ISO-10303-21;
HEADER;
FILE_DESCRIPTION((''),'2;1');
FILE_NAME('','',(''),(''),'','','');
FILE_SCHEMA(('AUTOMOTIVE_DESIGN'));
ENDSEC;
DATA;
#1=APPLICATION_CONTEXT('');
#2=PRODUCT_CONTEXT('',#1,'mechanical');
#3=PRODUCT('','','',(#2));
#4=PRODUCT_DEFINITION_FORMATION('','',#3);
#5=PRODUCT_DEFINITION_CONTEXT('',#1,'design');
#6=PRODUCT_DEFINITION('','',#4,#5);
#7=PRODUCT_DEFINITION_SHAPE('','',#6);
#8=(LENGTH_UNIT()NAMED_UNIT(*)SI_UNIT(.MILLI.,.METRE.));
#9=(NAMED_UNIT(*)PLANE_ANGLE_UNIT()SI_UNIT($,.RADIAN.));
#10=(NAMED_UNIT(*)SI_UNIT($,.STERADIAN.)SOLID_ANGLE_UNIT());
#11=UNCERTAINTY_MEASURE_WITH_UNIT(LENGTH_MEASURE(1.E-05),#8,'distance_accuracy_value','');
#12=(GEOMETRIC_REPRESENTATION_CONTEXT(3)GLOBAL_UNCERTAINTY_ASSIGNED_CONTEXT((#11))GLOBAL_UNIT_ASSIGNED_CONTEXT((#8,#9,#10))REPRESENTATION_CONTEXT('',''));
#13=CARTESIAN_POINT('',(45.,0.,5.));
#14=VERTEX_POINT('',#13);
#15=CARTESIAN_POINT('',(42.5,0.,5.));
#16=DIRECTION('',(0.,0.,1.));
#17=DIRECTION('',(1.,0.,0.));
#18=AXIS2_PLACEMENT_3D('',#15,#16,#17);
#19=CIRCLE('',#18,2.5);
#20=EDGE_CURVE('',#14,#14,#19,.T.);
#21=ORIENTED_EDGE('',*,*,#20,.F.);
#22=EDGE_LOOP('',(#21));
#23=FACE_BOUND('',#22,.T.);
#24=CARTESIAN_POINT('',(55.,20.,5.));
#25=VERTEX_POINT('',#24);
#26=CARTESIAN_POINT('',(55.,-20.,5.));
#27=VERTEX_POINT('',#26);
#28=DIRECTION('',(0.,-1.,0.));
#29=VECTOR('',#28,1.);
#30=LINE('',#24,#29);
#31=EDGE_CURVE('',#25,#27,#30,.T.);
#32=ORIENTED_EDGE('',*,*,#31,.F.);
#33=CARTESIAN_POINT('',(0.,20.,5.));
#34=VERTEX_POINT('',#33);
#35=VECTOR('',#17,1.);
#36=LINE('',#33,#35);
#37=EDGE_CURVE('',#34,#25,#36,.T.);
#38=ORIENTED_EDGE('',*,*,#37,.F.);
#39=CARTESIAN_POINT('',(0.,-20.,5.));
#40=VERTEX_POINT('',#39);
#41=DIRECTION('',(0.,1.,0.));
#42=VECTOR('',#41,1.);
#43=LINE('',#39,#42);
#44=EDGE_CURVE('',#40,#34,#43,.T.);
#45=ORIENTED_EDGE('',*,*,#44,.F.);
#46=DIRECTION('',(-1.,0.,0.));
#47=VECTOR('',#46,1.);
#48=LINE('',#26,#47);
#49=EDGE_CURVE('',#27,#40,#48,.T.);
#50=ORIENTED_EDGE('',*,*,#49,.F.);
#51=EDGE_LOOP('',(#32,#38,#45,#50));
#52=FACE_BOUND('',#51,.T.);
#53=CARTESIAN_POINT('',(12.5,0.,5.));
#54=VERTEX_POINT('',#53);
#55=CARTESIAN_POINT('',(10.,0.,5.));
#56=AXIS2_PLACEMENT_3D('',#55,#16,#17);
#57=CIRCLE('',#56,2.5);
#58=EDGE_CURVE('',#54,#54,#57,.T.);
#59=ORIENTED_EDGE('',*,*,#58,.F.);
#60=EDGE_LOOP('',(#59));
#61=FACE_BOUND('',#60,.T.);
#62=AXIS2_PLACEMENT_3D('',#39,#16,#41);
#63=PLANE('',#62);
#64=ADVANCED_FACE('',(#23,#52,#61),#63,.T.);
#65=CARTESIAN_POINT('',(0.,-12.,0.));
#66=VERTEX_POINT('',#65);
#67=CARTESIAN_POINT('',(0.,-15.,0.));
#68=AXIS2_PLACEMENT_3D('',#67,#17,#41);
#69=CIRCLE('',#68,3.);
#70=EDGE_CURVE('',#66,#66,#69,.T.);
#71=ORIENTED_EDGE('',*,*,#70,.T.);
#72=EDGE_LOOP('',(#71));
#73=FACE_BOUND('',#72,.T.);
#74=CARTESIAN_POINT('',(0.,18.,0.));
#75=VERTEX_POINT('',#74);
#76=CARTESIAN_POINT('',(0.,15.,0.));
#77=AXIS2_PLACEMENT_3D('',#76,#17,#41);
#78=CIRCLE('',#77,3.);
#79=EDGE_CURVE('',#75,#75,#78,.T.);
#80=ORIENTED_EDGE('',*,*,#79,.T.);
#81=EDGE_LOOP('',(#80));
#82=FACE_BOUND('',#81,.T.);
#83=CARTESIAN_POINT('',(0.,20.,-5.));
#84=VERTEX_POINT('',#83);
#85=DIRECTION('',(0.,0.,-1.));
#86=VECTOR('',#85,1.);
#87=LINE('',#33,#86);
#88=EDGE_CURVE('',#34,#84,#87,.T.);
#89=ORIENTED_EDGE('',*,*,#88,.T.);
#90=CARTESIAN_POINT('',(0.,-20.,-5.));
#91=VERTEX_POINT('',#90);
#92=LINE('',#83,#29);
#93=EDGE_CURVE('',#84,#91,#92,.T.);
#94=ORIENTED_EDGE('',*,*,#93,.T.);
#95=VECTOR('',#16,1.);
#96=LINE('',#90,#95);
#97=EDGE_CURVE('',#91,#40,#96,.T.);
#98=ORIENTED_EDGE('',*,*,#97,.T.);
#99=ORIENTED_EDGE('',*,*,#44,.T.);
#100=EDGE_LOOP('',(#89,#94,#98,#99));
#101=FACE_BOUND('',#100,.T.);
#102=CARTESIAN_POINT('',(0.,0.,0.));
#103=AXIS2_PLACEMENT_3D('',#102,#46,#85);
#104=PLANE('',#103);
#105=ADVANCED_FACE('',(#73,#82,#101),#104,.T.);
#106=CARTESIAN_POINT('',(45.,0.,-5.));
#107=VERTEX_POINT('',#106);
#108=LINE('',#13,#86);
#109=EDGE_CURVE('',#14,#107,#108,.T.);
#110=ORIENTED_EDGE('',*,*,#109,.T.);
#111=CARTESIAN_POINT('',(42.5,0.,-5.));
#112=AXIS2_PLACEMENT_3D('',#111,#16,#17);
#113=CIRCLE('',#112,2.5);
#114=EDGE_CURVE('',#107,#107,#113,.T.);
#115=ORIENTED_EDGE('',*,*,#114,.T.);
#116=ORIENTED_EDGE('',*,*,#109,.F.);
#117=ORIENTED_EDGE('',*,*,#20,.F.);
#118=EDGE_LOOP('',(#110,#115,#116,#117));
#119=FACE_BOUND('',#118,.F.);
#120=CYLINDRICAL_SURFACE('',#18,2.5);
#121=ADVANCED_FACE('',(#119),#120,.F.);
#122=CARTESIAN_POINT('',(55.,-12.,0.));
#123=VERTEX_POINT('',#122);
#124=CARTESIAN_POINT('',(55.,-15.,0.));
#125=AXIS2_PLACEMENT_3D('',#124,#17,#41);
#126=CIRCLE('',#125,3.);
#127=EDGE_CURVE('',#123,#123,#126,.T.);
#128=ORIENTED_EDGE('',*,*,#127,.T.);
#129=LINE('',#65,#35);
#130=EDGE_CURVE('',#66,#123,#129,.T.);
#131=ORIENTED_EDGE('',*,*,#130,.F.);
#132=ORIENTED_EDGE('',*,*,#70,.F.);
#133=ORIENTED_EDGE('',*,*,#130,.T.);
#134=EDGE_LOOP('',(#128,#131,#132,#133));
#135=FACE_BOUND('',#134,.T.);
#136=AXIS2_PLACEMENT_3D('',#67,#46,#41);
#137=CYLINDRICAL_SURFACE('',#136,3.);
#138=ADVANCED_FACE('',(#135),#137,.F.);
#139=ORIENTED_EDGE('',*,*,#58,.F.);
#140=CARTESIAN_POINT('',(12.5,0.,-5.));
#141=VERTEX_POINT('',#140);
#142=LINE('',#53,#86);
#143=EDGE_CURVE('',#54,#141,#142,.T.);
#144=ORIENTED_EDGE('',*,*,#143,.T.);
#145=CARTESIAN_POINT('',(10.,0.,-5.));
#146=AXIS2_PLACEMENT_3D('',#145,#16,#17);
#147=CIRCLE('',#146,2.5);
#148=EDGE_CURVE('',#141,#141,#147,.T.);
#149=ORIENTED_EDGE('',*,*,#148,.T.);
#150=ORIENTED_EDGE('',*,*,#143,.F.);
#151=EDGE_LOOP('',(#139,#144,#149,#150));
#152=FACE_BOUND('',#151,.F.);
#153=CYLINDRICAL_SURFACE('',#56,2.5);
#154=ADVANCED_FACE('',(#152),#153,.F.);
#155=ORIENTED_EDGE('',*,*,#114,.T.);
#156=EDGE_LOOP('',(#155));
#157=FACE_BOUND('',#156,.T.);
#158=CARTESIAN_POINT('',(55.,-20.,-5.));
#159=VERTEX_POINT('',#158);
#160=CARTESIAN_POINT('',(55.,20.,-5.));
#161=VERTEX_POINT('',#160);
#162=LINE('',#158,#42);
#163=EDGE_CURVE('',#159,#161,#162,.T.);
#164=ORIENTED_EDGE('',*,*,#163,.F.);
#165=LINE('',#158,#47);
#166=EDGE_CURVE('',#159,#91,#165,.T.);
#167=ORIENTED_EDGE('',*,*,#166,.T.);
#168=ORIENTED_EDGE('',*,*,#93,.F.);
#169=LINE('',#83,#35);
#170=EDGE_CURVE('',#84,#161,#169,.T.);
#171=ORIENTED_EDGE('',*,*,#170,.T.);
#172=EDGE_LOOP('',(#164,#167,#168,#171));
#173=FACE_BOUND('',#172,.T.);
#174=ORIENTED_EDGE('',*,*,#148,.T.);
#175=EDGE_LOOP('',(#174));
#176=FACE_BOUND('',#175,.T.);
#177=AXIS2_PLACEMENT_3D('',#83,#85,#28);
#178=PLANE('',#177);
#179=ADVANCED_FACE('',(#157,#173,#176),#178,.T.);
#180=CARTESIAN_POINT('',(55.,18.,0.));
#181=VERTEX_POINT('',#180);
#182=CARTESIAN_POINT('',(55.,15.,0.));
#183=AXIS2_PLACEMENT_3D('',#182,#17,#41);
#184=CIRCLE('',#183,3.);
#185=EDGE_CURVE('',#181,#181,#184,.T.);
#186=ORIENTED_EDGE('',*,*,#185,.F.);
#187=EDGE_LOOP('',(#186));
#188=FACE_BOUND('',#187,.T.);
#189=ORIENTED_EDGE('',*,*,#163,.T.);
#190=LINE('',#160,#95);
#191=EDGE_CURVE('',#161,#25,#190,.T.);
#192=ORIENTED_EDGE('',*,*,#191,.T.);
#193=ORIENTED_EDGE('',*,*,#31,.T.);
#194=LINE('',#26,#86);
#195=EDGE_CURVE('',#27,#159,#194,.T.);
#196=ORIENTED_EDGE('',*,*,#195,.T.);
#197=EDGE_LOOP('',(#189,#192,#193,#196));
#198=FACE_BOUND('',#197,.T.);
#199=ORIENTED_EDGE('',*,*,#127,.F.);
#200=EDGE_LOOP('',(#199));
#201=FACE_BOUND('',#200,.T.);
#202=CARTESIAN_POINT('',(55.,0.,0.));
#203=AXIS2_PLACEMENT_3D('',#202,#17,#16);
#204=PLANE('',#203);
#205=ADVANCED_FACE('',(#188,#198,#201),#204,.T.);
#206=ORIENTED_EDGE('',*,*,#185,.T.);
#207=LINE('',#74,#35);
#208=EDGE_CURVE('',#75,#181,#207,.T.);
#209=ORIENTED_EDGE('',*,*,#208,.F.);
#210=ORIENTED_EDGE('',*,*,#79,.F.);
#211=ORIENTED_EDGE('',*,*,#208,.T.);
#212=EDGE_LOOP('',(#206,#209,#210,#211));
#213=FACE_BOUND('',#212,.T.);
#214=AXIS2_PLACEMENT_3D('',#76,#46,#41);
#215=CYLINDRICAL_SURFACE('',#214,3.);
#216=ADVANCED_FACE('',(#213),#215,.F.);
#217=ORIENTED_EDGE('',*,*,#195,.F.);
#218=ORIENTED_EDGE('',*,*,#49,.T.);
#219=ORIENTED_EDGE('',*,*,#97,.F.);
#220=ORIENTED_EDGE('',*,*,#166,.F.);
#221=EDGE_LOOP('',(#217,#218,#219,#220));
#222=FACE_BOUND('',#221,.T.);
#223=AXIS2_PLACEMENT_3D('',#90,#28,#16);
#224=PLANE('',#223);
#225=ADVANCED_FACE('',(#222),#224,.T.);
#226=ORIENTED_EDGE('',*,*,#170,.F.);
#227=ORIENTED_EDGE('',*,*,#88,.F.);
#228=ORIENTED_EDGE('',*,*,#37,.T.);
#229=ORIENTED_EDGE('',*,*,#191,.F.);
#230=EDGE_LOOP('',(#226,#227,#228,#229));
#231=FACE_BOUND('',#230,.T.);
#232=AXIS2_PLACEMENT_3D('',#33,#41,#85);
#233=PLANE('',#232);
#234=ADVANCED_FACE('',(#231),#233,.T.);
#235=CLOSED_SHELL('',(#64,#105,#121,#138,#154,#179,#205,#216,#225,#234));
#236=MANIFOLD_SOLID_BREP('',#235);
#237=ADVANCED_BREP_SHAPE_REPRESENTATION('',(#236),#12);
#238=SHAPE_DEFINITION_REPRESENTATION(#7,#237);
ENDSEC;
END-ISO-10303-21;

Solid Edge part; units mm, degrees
sketch "Sketch1" plane through (0, 0, 0) normal (1, 0, 0) x (0, 1, 0)
  circle A0 centre (-15, 0) radius 3
  circle A1 centre (15, 0) radius 3
  line L0 (20, -5) -> (-20, -5)
  line L1 (-20, -5) -> (-20, 5)
  line L2 (-20, 5) -> (20, 5)
  line L3 (20, 5) -> (20, -5)
  dimension "D1" = 40
  dimension "D2" = 10
  dimension "D3" = 15
  dimension "D4" = 6
extrude "Protrusion1" add sketch "Sketch1" along normal blind 50
sketch "Sketch2" plane through (25, 0, 5) normal (0, 0, 1) x (1, 0, 0)
  circle A0 centre (-15, 0) radius 2.5
  circle A1 centre (17.5, 0) radius 2.5
  dimension "D1" = 5
  dimension "D2" = 5
  dimension "D3" = 10
  dimension "D4" = 32.5
extrude "Cutout1" cut sketch "Sketch2" against normal up to next
sketch "Sketch3" plane through (50, 0, 0) normal (1, 0, 0) x (0, 1, 0)
  line L0 (-20, -5) -> (20, -5)
  line L1 (20, -5) -> (20, 5)
  line L2 (20, 5) -> (-20, 5)
  line L3 (-20, 5) -> (-20, -5)
  circle A0 centre (15, 0) radius 3
  circle A1 centre (-15, 0) radius 3
extrude "ExtrudedProtrusion_4" add sketch "Sketch3" along normal blind 5
properties material "ABS Plastic, high impact"
